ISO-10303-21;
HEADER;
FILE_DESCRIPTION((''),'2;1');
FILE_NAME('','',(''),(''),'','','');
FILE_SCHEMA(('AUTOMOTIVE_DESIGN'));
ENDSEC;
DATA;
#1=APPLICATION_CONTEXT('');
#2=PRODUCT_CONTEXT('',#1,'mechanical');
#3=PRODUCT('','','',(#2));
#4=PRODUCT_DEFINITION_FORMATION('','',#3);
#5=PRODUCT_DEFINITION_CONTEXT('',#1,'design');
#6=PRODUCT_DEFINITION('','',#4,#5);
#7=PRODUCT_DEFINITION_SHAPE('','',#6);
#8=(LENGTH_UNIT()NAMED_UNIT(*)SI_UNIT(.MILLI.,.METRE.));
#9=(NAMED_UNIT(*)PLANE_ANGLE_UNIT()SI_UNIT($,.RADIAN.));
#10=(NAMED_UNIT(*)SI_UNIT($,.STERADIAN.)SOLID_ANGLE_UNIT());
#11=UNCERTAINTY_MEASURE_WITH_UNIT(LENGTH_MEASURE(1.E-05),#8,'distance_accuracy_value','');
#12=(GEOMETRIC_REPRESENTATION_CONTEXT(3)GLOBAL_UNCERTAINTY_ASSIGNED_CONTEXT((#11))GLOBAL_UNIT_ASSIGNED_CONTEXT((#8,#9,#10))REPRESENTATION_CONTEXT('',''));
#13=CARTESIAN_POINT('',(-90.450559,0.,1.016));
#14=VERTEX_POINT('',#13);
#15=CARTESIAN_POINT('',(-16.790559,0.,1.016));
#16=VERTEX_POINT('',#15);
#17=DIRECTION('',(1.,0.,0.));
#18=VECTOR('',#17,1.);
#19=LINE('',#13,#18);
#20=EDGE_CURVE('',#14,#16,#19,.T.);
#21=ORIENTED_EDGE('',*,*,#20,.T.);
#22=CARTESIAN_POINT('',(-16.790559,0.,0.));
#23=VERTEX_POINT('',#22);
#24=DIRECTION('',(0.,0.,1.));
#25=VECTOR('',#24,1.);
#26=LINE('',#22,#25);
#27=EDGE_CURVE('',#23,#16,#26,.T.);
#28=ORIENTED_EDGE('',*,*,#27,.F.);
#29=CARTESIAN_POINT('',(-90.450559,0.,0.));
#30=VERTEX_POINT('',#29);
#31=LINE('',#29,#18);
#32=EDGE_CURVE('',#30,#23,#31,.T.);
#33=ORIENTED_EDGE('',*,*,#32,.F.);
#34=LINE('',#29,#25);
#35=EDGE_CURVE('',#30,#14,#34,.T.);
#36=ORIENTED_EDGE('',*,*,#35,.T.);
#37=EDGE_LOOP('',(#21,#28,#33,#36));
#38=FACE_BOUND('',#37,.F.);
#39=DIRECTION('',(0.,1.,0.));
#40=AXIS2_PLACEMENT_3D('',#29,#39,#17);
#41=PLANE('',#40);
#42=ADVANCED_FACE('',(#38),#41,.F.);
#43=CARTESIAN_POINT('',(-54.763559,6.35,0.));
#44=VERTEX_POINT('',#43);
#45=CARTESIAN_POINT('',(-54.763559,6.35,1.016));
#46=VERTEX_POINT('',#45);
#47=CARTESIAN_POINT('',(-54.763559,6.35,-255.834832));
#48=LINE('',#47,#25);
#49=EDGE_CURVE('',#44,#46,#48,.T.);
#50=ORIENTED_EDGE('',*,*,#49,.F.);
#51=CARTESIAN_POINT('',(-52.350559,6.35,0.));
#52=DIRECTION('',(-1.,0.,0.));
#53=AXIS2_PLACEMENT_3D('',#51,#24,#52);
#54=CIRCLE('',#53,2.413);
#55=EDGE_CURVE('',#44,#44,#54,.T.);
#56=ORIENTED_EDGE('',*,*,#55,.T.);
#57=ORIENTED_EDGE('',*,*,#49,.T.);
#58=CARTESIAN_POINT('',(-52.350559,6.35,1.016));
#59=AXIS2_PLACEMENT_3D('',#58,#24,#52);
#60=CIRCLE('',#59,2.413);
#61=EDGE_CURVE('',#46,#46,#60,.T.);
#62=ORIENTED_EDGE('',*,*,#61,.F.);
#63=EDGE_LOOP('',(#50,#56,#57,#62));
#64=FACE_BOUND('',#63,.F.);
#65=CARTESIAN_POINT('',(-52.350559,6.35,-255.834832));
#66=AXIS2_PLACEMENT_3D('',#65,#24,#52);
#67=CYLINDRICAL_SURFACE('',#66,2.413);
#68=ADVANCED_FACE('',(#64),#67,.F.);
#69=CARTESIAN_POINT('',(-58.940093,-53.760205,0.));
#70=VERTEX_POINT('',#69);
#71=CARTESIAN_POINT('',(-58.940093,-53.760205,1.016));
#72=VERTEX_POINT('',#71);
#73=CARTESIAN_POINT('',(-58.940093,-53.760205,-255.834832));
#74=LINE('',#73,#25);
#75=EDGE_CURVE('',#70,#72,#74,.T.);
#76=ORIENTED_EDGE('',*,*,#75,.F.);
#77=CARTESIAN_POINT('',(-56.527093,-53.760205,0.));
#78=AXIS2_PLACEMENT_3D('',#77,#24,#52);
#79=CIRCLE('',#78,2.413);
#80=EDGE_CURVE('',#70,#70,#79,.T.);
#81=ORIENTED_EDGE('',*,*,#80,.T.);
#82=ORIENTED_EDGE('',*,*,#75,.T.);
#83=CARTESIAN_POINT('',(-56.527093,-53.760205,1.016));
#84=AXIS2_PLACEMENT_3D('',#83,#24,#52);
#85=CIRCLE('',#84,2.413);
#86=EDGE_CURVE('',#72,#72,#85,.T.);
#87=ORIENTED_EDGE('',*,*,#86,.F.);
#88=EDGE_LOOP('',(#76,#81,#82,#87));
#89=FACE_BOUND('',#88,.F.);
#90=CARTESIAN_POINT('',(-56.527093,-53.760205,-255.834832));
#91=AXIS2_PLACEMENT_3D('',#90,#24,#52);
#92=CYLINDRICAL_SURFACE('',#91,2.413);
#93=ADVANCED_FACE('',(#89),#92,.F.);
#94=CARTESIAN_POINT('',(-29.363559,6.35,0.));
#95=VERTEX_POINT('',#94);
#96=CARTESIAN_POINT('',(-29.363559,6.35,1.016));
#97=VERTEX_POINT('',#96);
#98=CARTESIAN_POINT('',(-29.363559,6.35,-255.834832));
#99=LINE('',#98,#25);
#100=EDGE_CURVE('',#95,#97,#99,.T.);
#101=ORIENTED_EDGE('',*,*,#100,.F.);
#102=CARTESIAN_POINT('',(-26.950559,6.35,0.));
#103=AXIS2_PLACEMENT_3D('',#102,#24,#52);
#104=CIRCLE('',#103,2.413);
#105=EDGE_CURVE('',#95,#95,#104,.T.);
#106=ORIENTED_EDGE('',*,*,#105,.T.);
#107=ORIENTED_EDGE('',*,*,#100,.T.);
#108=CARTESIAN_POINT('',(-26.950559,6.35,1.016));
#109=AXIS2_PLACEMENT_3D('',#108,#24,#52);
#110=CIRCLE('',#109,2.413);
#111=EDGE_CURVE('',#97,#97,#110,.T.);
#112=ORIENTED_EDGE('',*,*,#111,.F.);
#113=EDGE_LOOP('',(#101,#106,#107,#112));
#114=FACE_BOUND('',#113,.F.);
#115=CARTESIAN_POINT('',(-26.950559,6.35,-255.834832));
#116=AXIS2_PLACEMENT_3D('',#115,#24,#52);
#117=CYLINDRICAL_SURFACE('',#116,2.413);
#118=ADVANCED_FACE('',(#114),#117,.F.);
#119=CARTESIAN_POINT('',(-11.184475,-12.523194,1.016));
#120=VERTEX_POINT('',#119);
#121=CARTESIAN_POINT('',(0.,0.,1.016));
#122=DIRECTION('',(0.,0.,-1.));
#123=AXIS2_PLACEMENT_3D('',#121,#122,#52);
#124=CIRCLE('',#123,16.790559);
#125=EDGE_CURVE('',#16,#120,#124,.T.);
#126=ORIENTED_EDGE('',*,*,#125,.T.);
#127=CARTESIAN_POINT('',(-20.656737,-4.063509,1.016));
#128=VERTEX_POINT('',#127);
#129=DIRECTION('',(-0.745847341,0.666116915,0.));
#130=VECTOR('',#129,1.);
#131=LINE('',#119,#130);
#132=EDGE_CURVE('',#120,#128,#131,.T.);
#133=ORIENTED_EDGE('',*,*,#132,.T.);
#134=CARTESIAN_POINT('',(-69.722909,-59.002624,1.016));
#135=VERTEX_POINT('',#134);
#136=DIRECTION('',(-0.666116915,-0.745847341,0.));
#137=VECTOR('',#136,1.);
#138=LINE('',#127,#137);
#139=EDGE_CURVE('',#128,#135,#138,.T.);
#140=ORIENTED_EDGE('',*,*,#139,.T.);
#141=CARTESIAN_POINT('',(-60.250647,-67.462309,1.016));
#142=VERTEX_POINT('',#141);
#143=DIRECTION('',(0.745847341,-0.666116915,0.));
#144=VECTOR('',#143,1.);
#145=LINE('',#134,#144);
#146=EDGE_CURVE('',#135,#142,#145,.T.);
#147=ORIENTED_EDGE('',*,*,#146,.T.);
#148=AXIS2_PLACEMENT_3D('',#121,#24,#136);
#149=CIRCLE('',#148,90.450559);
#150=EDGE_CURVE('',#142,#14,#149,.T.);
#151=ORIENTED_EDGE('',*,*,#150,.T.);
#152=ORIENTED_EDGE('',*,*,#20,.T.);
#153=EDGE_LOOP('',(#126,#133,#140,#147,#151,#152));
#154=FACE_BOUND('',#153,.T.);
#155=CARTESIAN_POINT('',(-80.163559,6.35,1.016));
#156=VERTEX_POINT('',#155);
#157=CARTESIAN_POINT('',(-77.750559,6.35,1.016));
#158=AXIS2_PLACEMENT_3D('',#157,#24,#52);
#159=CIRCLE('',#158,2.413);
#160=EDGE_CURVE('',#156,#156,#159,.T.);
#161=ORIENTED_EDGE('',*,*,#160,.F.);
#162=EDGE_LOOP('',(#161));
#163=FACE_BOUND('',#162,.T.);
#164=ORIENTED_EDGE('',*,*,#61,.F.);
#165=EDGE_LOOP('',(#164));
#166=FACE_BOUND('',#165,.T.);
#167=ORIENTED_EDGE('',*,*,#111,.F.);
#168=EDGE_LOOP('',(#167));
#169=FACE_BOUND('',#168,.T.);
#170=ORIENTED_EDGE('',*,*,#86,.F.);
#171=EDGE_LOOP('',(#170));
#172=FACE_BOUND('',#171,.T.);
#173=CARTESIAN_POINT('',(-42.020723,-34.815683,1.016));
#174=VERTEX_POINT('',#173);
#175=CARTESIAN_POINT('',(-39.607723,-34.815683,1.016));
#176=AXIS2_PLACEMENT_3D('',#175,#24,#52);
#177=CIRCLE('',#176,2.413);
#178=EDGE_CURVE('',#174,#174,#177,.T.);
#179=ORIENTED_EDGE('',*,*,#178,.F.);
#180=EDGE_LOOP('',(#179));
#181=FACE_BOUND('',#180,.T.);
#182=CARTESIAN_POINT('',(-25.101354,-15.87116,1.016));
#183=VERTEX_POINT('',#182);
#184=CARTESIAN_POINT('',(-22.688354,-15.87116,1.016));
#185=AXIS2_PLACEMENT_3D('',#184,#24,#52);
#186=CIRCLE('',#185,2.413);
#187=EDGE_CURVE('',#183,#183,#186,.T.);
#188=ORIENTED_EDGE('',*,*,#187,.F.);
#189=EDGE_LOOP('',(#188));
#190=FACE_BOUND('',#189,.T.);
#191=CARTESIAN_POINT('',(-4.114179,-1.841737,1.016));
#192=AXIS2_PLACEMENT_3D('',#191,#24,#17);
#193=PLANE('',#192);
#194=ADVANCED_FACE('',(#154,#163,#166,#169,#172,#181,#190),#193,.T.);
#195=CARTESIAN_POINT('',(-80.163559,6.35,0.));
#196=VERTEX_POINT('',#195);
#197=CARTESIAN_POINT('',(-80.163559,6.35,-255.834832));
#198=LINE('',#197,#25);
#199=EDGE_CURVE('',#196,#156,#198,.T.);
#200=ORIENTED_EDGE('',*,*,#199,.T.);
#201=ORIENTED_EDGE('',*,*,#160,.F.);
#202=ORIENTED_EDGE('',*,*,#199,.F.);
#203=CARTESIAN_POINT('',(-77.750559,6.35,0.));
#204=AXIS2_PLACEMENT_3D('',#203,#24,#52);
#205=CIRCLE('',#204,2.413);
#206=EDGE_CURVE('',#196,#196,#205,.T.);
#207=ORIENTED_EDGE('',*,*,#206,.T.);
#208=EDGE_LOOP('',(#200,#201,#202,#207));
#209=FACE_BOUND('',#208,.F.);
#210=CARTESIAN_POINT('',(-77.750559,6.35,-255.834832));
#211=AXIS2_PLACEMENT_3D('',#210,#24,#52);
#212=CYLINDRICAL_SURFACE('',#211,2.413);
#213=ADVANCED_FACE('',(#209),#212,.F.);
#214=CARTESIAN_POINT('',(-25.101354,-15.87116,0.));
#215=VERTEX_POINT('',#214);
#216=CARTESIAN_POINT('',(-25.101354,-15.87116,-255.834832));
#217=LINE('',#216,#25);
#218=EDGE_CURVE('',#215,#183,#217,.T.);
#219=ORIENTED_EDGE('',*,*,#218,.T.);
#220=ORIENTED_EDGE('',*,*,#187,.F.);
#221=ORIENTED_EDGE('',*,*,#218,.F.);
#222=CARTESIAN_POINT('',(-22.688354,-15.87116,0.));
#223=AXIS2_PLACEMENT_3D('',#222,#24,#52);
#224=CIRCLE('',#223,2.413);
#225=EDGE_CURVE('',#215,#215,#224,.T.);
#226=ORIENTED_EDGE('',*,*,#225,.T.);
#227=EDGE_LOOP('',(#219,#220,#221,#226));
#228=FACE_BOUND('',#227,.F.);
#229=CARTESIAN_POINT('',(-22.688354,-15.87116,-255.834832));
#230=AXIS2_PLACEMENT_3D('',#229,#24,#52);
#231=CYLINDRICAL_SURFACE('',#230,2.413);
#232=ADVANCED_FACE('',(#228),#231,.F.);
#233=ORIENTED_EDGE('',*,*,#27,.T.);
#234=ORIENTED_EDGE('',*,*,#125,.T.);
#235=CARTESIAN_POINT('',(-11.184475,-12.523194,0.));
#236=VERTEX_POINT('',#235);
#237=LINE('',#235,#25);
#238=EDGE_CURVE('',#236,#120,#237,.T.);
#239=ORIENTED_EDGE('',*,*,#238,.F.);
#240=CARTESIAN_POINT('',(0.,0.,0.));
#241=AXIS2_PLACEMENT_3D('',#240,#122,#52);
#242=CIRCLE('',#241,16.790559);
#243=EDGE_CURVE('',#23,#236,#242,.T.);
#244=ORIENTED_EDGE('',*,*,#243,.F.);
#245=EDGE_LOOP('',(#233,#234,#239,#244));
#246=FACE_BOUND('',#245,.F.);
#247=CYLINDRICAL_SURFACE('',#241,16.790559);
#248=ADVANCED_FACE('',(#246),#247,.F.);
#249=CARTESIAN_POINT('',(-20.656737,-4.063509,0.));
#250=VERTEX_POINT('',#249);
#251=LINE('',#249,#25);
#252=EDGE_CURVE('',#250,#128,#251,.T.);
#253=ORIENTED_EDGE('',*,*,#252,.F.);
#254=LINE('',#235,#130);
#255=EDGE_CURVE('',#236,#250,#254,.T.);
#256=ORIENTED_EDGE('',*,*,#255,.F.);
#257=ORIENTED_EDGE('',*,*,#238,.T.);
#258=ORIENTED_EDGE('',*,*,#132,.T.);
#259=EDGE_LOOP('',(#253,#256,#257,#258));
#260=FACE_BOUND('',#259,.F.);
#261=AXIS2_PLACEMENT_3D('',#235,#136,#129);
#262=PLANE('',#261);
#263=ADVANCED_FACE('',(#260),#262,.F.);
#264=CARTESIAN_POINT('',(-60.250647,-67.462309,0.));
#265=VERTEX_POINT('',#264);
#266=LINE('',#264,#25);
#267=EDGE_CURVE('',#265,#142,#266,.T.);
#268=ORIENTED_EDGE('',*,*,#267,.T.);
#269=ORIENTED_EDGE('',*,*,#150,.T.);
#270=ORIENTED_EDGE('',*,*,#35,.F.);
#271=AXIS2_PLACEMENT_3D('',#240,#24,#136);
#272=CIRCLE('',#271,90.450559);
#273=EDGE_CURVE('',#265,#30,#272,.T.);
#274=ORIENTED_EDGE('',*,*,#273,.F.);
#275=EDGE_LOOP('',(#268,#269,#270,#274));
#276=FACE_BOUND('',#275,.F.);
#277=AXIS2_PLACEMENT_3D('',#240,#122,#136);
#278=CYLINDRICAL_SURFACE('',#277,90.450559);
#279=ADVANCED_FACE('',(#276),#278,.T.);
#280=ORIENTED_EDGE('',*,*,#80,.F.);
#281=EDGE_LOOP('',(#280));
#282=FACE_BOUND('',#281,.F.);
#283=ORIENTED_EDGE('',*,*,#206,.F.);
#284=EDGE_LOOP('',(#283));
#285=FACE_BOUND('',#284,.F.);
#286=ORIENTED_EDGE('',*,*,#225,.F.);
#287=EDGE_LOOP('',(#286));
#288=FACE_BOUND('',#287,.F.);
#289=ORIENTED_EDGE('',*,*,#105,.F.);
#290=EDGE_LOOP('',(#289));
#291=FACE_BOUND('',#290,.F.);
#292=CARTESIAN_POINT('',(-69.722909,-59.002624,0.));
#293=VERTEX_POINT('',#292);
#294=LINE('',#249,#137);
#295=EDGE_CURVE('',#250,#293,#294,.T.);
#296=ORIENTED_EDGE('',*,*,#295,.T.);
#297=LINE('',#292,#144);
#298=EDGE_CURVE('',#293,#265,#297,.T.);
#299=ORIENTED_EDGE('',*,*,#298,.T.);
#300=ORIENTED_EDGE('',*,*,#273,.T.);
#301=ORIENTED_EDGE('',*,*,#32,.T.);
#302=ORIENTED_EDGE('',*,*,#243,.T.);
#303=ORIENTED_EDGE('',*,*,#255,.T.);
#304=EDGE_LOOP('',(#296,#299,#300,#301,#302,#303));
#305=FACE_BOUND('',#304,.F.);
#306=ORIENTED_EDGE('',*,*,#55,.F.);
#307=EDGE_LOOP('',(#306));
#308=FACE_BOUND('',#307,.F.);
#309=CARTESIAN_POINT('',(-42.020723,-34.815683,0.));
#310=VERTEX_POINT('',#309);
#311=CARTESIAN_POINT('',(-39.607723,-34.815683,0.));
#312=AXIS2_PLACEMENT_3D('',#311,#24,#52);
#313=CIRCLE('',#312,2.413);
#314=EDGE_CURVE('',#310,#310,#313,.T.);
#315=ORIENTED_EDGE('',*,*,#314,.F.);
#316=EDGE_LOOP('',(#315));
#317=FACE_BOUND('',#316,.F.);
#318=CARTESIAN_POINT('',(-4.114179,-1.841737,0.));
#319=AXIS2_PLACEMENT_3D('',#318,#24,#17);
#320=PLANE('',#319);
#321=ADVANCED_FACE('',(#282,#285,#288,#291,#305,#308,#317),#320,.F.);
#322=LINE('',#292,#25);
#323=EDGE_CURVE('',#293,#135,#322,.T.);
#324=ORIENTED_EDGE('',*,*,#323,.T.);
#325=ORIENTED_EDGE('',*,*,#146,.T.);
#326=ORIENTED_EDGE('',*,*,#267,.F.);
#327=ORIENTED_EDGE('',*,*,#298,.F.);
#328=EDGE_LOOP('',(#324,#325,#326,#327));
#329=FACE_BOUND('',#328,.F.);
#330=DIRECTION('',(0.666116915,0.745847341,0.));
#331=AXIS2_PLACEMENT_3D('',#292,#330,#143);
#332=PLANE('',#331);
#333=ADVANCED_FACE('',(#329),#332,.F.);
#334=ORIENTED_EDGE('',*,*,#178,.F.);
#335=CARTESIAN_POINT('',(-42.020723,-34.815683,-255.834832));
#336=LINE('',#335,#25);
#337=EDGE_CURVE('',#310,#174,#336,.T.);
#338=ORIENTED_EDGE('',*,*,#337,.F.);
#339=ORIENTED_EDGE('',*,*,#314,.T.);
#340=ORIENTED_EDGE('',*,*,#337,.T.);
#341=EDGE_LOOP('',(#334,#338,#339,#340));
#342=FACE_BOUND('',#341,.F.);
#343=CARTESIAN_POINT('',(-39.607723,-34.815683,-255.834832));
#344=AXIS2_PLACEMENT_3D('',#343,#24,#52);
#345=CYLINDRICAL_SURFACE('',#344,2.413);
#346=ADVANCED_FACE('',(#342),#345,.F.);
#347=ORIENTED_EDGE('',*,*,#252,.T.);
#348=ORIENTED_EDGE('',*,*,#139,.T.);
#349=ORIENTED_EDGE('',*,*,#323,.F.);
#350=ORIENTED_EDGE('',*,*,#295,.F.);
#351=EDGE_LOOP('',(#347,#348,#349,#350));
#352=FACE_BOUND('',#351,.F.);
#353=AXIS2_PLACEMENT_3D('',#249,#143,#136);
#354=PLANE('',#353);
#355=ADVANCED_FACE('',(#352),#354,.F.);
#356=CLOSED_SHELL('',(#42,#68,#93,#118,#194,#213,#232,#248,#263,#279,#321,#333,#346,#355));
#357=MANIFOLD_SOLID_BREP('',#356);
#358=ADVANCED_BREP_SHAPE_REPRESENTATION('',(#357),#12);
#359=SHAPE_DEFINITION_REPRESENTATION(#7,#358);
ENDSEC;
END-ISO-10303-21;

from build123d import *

# Parameters (mm, degrees)
F1_DEPTH = 1.016
F3_D     = 4.826


with BuildPart() as f1:
    # F0 (on Top) → F1 (new body)
    with BuildSketch(Plane.XY):
        with BuildLine():
            Line((-90.4505589354, 0), (-16.7905589354, 0))
            ThreePointArc((-16.7905589354, 0), (15.3250850137, 6.8603672412), (-11.1844753183, -12.5231937307))
            Line((-11.1844753183, -12.5231937307), (-60.2506472734, -67.4623088462))
            ThreePointArc((-60.2506472734, -67.4623088462), (82.5560668086, 36.9567239459), (-90.4505589354, 0))
        make_face()
        Polygon((-60.2506472734, -67.4623088462), (-11.1844753183, -12.5231937307), (-20.6567365451, -4.0635089109), (-69.7229085002, -59.0026240263), align=None)
    extrude(amount=F1_DEPTH)

    # F3 (through all)
    with Locations(Plane(origin=(0, 0, 0), x_dir=(1, 0, 0), z_dir=(0, 0, -1))):
        with Locations((-77.7505589354, -6.35), (-52.3505589354, -6.35), (-26.9505589354, -6.35), (-22.6883537876, 15.8711603022), (-39.6077234273, 34.8156827558), (-56.5270930669, 53.7602052095)):
            Hole(F3_D / 2)


solid = f1.part
